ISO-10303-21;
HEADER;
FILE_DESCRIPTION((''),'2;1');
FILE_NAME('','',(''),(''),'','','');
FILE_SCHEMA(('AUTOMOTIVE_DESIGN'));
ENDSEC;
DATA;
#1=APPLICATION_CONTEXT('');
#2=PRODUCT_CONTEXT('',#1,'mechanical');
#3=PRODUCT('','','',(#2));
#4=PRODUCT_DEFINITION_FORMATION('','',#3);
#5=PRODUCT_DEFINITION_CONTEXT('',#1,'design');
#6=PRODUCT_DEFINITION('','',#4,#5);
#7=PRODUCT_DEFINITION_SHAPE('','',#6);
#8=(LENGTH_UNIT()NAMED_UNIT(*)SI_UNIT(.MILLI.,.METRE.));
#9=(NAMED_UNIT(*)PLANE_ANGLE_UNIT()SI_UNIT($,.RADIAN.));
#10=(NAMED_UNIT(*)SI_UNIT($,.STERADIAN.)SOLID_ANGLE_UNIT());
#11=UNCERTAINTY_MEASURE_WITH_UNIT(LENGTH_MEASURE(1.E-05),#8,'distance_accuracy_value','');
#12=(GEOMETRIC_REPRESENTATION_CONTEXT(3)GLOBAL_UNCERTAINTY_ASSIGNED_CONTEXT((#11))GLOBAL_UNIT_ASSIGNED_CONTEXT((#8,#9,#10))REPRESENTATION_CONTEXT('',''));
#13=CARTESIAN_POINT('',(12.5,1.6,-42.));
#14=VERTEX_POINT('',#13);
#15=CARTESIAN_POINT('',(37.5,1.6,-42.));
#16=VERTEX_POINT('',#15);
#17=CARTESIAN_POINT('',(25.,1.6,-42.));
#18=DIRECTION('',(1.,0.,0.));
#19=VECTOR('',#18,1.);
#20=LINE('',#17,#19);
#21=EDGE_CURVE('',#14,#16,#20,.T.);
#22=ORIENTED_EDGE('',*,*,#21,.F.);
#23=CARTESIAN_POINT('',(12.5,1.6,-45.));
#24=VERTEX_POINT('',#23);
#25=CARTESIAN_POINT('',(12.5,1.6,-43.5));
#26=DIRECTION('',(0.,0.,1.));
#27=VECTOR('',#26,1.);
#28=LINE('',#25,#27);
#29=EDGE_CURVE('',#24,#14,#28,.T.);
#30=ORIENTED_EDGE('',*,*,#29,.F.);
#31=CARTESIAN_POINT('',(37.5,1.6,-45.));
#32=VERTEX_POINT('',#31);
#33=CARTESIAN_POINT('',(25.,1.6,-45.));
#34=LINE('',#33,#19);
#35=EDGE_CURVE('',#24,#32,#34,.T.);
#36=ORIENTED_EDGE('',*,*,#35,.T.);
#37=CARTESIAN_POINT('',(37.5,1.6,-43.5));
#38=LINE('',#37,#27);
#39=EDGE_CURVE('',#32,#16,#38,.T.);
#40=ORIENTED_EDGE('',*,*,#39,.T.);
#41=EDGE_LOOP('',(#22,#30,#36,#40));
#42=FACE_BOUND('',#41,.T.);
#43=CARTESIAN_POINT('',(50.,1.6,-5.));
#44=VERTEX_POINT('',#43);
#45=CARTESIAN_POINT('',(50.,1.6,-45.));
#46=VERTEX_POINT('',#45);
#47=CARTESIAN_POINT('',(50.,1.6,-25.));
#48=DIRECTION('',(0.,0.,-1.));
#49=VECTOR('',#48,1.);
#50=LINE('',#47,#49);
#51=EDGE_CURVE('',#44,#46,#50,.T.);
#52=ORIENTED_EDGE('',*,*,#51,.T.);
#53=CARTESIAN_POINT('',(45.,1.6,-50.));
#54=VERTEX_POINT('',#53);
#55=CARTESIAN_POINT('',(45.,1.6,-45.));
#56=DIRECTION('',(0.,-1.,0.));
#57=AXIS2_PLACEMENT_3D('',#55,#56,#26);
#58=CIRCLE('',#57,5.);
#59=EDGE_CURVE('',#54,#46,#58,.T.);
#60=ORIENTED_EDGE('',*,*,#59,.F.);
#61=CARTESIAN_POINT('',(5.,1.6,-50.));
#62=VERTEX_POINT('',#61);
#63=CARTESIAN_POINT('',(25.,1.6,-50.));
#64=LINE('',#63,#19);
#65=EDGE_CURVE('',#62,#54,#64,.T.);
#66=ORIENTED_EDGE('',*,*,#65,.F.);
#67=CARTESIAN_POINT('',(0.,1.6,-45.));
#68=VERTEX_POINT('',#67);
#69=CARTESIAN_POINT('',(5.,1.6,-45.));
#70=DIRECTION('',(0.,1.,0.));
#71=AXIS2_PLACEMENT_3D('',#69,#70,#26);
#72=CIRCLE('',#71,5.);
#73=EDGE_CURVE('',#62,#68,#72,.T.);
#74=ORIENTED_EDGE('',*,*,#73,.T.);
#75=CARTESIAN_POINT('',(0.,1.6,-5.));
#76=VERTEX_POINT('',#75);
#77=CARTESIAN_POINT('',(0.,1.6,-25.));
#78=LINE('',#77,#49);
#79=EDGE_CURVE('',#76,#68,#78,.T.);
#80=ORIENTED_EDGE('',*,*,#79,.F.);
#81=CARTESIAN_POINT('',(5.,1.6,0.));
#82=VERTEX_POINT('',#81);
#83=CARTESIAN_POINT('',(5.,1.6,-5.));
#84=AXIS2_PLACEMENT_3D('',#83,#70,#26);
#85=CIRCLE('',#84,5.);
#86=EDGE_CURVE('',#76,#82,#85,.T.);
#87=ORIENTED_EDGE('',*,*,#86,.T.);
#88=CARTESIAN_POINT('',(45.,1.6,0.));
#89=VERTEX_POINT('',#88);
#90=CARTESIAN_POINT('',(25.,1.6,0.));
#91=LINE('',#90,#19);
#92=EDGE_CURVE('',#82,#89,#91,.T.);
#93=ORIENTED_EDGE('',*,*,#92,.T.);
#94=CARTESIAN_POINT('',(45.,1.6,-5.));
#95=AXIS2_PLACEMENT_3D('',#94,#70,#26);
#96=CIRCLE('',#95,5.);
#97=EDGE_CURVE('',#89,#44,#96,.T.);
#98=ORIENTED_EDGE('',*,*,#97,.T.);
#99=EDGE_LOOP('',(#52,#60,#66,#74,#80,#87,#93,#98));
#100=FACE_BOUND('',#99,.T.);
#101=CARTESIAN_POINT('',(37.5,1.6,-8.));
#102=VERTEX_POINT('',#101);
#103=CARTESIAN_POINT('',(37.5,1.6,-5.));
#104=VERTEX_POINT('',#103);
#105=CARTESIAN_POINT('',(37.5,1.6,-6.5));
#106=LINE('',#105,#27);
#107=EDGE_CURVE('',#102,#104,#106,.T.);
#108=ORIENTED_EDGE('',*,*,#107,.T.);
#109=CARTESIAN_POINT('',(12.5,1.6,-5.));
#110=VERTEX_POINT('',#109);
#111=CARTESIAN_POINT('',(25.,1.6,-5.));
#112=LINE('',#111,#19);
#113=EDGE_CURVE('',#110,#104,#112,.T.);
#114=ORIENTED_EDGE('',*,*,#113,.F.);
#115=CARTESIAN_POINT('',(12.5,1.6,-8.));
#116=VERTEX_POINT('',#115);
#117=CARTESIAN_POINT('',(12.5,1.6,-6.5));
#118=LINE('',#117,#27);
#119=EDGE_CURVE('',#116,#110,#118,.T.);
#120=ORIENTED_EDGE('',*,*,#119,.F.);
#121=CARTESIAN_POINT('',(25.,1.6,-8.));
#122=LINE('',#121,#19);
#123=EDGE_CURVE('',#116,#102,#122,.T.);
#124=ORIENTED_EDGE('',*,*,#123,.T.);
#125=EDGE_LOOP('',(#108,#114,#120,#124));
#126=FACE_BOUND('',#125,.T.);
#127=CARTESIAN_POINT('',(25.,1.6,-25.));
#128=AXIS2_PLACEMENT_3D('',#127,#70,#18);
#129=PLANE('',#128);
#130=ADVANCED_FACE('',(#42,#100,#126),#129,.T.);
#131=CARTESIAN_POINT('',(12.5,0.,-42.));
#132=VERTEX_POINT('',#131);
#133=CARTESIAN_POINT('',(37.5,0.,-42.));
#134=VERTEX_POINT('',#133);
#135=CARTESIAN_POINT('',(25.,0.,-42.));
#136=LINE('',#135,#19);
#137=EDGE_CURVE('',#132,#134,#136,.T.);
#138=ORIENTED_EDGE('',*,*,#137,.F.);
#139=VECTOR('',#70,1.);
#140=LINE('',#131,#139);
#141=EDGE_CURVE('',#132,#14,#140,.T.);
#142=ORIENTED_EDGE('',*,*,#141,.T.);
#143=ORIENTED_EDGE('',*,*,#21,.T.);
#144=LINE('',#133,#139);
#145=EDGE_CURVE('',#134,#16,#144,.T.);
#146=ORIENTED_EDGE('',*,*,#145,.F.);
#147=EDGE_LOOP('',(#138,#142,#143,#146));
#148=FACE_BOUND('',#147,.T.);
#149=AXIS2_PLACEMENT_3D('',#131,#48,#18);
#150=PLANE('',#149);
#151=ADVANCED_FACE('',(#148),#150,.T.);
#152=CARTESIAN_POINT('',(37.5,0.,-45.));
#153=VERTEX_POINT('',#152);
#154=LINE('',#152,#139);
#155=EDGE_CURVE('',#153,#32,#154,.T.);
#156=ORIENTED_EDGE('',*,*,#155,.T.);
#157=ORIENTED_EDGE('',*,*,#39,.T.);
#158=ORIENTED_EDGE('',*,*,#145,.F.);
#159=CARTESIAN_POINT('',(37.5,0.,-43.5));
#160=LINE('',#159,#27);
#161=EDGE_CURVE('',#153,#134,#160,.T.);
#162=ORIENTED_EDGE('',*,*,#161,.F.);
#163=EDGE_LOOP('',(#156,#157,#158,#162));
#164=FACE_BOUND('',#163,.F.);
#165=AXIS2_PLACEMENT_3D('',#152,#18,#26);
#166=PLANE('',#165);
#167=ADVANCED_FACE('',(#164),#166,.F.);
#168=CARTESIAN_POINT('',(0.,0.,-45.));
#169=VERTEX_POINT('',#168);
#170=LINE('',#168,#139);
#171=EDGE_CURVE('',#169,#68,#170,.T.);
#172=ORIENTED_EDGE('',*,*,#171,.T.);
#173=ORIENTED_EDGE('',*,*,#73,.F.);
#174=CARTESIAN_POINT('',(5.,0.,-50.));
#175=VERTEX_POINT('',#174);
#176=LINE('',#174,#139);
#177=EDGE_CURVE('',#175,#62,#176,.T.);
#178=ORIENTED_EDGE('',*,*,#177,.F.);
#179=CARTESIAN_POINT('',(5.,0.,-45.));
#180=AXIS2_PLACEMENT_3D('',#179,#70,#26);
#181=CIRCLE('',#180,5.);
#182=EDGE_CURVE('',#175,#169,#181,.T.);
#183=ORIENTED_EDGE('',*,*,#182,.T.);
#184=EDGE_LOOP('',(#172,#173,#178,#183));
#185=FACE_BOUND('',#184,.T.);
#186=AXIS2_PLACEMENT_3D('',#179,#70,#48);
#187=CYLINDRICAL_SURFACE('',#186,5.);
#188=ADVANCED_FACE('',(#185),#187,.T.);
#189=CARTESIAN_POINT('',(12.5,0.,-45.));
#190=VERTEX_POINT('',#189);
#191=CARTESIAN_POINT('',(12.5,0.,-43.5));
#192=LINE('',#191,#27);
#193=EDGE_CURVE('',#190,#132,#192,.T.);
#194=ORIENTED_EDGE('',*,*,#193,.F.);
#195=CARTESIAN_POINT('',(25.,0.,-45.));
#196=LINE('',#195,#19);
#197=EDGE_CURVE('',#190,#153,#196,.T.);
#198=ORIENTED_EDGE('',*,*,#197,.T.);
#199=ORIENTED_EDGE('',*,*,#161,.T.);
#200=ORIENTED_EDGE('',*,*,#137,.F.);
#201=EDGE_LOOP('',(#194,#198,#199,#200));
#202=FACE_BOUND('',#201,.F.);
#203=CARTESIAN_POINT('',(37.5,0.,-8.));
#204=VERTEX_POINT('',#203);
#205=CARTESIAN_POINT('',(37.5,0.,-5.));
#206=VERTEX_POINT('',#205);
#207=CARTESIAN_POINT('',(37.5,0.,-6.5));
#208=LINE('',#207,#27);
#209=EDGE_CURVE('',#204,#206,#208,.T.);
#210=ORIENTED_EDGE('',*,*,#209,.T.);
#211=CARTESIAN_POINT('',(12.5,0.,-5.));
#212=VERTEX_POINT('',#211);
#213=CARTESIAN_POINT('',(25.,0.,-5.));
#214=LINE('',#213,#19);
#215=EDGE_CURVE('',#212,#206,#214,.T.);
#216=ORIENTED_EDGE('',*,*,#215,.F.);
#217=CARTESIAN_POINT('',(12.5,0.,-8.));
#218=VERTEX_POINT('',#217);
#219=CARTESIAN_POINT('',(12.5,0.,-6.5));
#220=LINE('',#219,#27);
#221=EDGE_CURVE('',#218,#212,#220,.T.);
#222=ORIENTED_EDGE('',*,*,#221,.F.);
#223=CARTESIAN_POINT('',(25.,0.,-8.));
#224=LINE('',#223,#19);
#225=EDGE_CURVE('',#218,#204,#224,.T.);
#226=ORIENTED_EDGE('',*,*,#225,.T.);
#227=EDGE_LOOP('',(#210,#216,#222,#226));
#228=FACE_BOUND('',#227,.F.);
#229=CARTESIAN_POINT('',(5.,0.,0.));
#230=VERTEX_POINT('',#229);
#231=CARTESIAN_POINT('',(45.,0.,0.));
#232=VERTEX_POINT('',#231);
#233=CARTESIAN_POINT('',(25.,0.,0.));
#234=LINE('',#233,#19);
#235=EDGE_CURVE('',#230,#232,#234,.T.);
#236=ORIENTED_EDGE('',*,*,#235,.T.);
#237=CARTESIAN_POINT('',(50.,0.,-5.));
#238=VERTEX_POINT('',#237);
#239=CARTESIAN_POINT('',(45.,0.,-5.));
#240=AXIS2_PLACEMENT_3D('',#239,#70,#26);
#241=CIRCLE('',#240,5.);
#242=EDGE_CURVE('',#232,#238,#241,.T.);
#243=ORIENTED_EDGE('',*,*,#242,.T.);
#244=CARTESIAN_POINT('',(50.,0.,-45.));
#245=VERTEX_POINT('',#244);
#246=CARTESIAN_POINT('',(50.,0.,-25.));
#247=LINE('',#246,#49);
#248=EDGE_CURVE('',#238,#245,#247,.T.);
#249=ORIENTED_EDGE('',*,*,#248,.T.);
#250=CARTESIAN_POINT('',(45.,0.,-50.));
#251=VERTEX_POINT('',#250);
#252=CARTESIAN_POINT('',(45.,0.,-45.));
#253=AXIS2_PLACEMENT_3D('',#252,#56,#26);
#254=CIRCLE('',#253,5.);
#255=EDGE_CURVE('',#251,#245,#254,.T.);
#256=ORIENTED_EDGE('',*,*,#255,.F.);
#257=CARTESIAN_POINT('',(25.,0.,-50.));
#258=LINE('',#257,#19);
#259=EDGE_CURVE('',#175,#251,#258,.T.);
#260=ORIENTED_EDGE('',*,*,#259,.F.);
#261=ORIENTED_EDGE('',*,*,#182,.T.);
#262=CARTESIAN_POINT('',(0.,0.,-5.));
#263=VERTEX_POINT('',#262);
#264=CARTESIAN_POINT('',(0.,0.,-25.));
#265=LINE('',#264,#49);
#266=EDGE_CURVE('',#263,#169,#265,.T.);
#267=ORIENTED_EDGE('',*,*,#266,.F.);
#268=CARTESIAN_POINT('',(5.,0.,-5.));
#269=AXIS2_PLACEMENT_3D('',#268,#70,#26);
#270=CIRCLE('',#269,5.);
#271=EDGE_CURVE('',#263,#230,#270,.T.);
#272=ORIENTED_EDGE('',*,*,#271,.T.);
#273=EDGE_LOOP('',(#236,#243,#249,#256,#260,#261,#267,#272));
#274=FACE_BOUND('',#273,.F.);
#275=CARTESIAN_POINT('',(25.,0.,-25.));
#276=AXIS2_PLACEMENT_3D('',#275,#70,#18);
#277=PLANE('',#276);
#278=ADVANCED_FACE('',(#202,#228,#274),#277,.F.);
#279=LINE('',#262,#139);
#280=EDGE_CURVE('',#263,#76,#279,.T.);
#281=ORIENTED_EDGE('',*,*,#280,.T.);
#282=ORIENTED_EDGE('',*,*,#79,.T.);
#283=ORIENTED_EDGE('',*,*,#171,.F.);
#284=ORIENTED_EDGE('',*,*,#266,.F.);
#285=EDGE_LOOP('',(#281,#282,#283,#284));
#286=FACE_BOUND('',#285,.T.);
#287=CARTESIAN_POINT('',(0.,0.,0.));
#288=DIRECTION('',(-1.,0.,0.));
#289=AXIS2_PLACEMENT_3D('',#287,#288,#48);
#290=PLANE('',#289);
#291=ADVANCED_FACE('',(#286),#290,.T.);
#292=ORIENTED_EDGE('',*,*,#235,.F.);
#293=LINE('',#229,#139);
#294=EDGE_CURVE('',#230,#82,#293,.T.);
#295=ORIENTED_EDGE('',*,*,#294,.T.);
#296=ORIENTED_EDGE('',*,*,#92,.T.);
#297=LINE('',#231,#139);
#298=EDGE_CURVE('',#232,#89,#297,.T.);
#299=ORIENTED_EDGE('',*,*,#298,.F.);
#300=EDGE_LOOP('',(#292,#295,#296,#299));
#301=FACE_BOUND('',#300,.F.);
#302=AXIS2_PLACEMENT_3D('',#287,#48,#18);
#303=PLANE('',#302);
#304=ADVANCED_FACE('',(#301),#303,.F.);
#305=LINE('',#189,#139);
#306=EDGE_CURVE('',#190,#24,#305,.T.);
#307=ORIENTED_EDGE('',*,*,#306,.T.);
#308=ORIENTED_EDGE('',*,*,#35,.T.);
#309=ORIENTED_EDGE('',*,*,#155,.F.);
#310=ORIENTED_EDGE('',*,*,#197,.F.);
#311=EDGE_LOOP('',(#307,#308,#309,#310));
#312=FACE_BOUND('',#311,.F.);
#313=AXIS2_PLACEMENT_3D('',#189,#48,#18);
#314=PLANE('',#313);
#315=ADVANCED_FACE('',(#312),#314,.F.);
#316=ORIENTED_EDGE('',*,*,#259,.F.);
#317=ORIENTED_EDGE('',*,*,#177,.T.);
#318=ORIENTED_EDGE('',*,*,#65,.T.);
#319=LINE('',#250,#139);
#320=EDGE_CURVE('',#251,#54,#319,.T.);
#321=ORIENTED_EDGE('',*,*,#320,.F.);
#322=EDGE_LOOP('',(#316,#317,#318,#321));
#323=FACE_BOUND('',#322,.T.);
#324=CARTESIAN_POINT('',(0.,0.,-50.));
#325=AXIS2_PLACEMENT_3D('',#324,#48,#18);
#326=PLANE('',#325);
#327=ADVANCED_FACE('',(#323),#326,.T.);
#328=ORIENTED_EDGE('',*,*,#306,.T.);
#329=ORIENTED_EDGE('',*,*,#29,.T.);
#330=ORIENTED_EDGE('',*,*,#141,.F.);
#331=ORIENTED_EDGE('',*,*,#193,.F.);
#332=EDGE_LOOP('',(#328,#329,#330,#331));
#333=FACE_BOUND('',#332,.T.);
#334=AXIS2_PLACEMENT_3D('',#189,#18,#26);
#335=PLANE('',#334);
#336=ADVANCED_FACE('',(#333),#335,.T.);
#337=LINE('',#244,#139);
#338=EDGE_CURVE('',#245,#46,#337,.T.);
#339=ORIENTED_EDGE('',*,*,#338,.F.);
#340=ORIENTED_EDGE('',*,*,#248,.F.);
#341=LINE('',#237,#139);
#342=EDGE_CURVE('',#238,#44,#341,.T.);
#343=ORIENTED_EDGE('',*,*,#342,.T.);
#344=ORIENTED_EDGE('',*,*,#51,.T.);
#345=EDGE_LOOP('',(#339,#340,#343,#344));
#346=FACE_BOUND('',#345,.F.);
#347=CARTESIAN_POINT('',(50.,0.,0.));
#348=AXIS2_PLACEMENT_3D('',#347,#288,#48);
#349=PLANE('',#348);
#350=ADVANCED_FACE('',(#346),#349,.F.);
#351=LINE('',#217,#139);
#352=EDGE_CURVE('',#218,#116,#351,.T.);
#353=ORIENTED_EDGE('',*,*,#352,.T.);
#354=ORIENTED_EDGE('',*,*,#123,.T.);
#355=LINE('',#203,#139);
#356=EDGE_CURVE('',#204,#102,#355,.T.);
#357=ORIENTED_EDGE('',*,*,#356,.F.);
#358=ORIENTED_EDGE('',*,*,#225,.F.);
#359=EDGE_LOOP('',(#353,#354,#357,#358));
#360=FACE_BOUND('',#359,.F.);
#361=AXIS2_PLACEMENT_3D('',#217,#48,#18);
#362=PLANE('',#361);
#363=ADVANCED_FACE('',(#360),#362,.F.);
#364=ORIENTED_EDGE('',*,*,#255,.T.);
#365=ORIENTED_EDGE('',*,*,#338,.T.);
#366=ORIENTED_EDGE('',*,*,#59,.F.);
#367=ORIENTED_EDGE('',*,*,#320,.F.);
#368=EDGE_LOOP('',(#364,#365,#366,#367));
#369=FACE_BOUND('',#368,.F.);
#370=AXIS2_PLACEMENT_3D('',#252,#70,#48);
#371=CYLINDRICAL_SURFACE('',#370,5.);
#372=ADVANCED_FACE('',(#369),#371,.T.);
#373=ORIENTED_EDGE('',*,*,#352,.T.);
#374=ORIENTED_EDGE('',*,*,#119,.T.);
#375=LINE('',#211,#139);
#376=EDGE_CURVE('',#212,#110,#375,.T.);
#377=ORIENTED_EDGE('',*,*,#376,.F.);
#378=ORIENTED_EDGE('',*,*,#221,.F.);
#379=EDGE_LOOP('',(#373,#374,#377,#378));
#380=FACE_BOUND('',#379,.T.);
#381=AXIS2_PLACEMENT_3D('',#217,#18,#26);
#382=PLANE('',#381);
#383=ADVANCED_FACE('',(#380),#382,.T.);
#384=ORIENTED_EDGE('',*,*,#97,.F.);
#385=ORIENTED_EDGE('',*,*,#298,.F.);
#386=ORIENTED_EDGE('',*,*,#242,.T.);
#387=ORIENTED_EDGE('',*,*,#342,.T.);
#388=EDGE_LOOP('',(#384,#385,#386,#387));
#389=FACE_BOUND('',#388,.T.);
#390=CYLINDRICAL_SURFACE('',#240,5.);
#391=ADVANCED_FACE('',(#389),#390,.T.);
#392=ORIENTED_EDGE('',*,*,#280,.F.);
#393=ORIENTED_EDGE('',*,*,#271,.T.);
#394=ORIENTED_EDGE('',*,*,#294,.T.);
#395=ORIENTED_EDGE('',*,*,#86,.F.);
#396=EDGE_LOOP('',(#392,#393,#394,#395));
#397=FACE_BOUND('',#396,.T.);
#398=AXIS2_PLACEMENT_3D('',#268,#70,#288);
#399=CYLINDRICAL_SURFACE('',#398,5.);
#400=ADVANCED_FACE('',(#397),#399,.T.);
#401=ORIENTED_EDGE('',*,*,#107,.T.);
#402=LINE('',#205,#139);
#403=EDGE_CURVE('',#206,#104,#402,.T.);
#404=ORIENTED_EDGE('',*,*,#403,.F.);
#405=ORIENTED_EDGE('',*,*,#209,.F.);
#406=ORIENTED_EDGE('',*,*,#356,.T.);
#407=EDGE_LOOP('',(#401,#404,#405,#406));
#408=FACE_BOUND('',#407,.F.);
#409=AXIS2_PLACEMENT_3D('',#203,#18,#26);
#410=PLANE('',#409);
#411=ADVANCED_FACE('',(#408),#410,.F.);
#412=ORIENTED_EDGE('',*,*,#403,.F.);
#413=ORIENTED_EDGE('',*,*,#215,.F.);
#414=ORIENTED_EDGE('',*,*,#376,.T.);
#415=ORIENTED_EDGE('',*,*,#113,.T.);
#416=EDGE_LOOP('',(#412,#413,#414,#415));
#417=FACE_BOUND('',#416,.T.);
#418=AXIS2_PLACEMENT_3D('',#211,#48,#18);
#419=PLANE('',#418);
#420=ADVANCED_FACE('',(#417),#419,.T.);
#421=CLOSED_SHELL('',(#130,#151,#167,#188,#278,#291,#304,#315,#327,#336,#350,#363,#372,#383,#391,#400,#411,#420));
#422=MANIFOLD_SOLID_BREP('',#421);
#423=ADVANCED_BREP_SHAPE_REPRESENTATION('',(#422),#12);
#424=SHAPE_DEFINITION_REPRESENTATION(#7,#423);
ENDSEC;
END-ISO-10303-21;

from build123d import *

# Parameters (mm, degrees)
SKETCH1_W           = 50
SKETCH1_H           = 50
BOSS_EXTRUDE1_DEPTH = 1.6
SKETCH2_W           = 25
SKETCH2_H           = 3
CUT_EXTRUDE1_DEPTH  = 1.6
FILLET1_R           = 5
FILLET2_R           = 5
FILLET3_R           = 5


with BuildPart() as part:
    # Sketch1 → Boss-Extrude1 (new body)
    with BuildSketch(Plane(origin=(0, 0, 0), x_dir=(1, 0, 0), z_dir=(0, 1, 0))):
        with Locations((25, 25)):
            Rectangle(SKETCH1_W, SKETCH1_H)
    extrude(amount=BOSS_EXTRUDE1_DEPTH)

    # Sketch2 → Cut-Extrude1 (cut)
    with BuildSketch(Plane.XZ):
        with Locations((25, -6.5)):
            Rectangle(SKETCH2_W, SKETCH2_H)
        with Locations((25, -43.5)):
            Rectangle(SKETCH2_W, SKETCH2_H)
    extrude(amount=-CUT_EXTRUDE1_DEPTH, mode=Mode.SUBTRACT)

    # Fillet1
    fillet1_edges = [part.edges().sort_by_distance(p)[0] for p in [
        (0, 0.8, 0),
        (50, 0.8, 0),
    ]]
    fillet(fillet1_edges, radius=FILLET1_R)

    # Fillet2
    fillet2_edges = [part.edges().sort_by_distance(p)[0] for p in [
        (50, 0.8, -50),
    ]]
    fillet(fillet2_edges, radius=FILLET2_R)

    # Fillet3
    fillet3_edges = [part.edges().sort_by_distance(p)[0] for p in [
        (0, 0.8, -50),
    ]]
    fillet(fillet3_edges, radius=FILLET3_R)


solid = part.part
